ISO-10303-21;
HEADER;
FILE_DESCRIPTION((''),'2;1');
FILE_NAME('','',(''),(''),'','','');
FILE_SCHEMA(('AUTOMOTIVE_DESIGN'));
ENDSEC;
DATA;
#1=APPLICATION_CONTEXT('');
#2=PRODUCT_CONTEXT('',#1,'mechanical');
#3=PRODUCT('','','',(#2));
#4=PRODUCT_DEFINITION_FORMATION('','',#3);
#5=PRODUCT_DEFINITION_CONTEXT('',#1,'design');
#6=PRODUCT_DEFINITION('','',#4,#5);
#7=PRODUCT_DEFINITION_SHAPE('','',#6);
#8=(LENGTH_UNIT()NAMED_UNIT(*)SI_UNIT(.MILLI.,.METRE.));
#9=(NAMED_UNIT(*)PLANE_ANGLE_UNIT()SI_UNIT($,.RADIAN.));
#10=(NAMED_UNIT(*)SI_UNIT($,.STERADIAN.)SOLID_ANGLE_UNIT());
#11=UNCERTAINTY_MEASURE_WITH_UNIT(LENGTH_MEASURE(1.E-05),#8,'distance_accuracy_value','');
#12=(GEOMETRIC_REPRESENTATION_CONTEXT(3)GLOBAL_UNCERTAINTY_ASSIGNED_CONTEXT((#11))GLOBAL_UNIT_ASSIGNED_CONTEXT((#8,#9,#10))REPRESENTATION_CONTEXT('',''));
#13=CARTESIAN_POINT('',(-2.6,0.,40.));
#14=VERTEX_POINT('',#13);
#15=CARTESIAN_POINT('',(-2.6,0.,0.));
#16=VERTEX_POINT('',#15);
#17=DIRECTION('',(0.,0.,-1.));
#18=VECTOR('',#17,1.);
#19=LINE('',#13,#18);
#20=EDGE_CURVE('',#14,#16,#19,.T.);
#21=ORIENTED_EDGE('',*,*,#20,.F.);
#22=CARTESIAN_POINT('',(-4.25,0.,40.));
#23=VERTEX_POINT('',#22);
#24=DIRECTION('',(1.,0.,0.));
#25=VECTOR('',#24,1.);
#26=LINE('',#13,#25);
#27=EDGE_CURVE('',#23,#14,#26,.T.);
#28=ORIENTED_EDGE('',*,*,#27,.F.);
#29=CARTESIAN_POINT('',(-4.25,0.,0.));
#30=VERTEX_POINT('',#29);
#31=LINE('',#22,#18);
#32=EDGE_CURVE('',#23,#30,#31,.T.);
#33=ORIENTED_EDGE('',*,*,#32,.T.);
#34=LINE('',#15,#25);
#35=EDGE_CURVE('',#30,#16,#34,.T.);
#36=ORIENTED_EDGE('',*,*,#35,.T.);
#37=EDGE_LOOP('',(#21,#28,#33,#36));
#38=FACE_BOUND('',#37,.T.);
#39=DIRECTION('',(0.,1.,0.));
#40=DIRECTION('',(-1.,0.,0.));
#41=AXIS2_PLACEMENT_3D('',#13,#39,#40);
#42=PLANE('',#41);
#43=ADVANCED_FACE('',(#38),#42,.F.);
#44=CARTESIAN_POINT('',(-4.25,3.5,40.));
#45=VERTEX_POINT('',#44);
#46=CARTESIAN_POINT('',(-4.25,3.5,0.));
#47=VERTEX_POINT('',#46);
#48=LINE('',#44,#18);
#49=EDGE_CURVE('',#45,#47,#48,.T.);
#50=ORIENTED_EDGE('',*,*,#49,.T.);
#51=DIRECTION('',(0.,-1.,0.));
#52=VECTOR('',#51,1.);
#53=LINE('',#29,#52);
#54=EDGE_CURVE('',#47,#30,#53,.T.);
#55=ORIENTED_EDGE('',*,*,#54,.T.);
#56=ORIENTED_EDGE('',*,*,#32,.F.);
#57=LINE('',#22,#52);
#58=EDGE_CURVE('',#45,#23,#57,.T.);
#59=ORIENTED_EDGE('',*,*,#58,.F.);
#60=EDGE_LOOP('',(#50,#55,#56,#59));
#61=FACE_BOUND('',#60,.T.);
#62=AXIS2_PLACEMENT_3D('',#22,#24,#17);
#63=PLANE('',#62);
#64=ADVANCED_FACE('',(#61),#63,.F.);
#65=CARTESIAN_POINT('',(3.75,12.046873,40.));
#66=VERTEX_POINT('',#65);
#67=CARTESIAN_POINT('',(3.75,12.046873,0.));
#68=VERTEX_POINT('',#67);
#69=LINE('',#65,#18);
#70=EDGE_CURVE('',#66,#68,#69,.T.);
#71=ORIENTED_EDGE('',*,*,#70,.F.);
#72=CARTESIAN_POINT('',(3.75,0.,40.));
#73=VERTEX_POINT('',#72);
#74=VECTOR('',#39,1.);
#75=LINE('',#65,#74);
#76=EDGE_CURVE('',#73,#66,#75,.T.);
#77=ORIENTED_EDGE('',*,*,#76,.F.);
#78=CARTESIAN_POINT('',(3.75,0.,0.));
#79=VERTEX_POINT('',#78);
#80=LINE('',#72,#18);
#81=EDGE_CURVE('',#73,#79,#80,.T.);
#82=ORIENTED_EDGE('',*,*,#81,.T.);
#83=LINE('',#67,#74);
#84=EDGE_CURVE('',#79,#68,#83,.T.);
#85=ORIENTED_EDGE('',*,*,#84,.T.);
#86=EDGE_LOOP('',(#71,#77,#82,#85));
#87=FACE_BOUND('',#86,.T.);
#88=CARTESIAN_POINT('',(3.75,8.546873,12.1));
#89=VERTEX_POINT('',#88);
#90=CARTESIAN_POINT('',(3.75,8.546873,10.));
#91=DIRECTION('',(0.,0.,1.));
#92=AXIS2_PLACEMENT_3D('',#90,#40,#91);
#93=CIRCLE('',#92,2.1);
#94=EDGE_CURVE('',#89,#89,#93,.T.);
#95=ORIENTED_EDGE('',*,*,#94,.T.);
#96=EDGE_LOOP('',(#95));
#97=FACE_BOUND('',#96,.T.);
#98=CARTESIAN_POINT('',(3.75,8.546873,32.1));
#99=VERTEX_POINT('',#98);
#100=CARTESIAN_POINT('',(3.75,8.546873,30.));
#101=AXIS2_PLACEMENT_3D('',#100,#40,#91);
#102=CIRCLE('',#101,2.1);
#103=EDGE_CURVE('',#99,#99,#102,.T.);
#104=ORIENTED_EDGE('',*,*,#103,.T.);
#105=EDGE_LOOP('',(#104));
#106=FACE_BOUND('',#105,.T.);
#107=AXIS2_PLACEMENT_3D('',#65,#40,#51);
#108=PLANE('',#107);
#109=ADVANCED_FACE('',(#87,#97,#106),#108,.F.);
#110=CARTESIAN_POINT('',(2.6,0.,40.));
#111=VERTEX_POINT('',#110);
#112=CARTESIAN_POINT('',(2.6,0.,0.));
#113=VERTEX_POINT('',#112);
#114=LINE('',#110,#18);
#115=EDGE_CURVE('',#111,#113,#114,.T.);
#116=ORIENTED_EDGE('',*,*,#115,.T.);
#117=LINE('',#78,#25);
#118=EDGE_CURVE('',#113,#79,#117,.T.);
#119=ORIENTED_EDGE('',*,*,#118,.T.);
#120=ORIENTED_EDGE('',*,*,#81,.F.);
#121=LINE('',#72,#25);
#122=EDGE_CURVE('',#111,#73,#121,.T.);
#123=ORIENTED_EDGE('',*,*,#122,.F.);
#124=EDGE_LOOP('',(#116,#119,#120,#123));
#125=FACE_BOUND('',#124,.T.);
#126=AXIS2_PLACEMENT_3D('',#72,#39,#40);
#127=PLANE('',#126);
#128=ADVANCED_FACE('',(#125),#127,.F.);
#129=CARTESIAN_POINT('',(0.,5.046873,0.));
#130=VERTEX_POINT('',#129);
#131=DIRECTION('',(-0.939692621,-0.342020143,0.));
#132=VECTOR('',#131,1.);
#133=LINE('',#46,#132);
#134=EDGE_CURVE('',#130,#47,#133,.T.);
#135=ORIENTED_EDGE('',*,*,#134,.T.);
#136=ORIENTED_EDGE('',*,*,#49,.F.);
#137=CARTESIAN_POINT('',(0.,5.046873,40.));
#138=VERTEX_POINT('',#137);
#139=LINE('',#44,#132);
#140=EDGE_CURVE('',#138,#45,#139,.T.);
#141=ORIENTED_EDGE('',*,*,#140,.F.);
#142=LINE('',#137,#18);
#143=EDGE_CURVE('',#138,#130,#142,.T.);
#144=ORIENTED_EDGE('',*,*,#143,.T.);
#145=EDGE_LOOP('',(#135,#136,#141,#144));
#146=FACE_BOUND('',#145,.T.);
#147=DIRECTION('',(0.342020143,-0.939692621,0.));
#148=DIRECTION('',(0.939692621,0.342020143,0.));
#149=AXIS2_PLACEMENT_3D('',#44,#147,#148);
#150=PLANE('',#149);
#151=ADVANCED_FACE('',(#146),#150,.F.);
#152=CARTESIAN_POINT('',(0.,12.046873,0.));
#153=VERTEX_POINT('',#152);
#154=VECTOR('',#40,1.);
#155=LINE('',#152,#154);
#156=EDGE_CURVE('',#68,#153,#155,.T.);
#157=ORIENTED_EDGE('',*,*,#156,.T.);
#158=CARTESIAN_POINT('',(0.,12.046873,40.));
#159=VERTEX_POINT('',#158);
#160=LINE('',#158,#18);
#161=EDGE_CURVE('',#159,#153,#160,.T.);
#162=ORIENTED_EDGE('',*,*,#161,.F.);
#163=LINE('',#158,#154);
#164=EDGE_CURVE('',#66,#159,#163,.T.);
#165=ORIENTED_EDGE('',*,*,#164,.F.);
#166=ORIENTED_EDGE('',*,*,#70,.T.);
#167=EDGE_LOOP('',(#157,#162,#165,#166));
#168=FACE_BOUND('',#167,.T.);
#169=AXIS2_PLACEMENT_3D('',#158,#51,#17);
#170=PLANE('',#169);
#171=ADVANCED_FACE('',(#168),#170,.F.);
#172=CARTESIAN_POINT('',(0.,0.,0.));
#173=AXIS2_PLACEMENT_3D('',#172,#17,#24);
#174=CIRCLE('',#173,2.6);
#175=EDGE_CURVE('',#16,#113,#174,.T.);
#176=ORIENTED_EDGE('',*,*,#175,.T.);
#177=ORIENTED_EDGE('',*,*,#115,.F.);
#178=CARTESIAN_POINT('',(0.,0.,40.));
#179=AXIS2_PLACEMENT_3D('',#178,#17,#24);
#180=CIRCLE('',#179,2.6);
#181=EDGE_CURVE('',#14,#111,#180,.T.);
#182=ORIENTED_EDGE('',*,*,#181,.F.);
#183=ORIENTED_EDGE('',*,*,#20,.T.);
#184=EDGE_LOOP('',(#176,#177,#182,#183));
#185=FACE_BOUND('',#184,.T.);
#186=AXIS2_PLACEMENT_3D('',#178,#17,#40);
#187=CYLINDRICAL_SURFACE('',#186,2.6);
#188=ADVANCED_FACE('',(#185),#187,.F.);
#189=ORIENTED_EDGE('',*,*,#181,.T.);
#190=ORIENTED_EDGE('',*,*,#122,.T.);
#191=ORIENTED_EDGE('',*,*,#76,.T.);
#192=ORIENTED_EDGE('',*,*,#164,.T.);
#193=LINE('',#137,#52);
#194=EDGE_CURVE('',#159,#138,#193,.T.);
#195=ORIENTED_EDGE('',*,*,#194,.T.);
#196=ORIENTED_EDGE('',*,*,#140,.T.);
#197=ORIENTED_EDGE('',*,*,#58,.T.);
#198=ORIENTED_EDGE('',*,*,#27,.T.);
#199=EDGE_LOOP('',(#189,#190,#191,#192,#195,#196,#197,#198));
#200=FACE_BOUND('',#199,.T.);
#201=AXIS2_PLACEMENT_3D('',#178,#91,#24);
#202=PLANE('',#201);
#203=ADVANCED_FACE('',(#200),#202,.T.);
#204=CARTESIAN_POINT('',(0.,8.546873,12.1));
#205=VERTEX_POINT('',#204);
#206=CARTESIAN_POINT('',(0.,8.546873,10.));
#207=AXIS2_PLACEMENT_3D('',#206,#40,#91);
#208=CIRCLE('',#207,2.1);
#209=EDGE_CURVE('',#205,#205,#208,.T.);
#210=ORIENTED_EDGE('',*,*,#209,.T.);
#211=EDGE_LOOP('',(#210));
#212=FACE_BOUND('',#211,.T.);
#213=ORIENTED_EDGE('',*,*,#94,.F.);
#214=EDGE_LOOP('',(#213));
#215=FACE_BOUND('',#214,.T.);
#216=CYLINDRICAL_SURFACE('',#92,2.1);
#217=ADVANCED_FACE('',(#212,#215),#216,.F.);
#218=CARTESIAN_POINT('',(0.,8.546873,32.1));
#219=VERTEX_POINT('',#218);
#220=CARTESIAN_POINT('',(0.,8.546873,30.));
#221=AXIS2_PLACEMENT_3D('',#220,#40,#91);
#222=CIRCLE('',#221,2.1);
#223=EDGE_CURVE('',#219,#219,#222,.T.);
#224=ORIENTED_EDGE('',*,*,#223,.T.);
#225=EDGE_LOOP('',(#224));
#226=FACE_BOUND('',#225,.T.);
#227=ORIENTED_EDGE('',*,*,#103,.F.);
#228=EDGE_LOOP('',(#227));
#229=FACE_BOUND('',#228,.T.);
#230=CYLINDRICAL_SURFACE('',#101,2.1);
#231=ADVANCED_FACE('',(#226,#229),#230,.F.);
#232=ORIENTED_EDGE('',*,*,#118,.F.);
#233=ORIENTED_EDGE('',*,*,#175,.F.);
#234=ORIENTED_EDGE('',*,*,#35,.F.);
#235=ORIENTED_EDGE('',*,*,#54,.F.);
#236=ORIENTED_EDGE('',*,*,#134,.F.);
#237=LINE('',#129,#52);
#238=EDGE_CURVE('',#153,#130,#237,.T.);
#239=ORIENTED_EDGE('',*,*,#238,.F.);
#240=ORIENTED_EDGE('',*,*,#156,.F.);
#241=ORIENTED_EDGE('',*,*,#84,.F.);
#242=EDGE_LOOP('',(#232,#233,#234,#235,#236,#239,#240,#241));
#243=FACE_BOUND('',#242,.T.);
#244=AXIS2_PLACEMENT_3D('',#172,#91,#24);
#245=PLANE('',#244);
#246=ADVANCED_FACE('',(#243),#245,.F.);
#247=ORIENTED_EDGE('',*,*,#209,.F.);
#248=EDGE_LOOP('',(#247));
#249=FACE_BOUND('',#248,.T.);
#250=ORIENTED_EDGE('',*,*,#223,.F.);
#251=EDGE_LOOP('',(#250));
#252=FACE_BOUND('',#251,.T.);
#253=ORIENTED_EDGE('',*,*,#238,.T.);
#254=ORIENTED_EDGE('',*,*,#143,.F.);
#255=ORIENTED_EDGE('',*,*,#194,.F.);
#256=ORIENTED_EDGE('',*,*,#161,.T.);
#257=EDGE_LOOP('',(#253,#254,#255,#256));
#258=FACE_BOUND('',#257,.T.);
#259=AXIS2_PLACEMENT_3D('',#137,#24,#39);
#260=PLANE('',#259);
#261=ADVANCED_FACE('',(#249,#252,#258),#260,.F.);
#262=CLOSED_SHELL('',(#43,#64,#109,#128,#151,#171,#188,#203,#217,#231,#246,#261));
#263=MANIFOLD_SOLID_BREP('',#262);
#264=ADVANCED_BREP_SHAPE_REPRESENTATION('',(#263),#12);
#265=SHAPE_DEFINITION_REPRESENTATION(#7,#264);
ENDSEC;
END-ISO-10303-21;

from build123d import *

# Parameters (mm, degrees)
BOSS_EXTRUDE1_DEPTH = 40
SKETCH2_R           = 2.1
CUT_EXTRUDE1_DEPTH  = 42.990351999


with BuildPart() as part:
    # Sketch1 → Boss-Extrude1 (new body)
    with BuildSketch(Plane.XY):
        with BuildLine():
            Line((-2.6, 0), (-4.25, 0))
            Line((-4.25, 0), (-4.25, 3.5))
            Line((-4.25, 3.5), (0, 5.046873496))
            Line((0, 5.046873496), (0, 12.046873496))
            Line((0, 12.046873496), (3.75, 12.046873496))
            Line((3.75, 12.046873496), (3.75, 0))
            Line((3.75, 0), (2.6, 0))
            ThreePointArc((2.6, 0), (0, 2.6), (-2.6, 0))
        make_face()
    extrude(amount=BOSS_EXTRUDE1_DEPTH)

    # Sketch2 → Cut-Extrude1 (cut, through all)
    with BuildSketch(Plane.ZY):
        with Locations((10, 8.546873496)):
            Circle(SKETCH2_R)
        with Locations((30, 8.546873496)):
            Circle(SKETCH2_R)
    extrude(amount=-CUT_EXTRUDE1_DEPTH, mode=Mode.SUBTRACT)


solid = part.part
